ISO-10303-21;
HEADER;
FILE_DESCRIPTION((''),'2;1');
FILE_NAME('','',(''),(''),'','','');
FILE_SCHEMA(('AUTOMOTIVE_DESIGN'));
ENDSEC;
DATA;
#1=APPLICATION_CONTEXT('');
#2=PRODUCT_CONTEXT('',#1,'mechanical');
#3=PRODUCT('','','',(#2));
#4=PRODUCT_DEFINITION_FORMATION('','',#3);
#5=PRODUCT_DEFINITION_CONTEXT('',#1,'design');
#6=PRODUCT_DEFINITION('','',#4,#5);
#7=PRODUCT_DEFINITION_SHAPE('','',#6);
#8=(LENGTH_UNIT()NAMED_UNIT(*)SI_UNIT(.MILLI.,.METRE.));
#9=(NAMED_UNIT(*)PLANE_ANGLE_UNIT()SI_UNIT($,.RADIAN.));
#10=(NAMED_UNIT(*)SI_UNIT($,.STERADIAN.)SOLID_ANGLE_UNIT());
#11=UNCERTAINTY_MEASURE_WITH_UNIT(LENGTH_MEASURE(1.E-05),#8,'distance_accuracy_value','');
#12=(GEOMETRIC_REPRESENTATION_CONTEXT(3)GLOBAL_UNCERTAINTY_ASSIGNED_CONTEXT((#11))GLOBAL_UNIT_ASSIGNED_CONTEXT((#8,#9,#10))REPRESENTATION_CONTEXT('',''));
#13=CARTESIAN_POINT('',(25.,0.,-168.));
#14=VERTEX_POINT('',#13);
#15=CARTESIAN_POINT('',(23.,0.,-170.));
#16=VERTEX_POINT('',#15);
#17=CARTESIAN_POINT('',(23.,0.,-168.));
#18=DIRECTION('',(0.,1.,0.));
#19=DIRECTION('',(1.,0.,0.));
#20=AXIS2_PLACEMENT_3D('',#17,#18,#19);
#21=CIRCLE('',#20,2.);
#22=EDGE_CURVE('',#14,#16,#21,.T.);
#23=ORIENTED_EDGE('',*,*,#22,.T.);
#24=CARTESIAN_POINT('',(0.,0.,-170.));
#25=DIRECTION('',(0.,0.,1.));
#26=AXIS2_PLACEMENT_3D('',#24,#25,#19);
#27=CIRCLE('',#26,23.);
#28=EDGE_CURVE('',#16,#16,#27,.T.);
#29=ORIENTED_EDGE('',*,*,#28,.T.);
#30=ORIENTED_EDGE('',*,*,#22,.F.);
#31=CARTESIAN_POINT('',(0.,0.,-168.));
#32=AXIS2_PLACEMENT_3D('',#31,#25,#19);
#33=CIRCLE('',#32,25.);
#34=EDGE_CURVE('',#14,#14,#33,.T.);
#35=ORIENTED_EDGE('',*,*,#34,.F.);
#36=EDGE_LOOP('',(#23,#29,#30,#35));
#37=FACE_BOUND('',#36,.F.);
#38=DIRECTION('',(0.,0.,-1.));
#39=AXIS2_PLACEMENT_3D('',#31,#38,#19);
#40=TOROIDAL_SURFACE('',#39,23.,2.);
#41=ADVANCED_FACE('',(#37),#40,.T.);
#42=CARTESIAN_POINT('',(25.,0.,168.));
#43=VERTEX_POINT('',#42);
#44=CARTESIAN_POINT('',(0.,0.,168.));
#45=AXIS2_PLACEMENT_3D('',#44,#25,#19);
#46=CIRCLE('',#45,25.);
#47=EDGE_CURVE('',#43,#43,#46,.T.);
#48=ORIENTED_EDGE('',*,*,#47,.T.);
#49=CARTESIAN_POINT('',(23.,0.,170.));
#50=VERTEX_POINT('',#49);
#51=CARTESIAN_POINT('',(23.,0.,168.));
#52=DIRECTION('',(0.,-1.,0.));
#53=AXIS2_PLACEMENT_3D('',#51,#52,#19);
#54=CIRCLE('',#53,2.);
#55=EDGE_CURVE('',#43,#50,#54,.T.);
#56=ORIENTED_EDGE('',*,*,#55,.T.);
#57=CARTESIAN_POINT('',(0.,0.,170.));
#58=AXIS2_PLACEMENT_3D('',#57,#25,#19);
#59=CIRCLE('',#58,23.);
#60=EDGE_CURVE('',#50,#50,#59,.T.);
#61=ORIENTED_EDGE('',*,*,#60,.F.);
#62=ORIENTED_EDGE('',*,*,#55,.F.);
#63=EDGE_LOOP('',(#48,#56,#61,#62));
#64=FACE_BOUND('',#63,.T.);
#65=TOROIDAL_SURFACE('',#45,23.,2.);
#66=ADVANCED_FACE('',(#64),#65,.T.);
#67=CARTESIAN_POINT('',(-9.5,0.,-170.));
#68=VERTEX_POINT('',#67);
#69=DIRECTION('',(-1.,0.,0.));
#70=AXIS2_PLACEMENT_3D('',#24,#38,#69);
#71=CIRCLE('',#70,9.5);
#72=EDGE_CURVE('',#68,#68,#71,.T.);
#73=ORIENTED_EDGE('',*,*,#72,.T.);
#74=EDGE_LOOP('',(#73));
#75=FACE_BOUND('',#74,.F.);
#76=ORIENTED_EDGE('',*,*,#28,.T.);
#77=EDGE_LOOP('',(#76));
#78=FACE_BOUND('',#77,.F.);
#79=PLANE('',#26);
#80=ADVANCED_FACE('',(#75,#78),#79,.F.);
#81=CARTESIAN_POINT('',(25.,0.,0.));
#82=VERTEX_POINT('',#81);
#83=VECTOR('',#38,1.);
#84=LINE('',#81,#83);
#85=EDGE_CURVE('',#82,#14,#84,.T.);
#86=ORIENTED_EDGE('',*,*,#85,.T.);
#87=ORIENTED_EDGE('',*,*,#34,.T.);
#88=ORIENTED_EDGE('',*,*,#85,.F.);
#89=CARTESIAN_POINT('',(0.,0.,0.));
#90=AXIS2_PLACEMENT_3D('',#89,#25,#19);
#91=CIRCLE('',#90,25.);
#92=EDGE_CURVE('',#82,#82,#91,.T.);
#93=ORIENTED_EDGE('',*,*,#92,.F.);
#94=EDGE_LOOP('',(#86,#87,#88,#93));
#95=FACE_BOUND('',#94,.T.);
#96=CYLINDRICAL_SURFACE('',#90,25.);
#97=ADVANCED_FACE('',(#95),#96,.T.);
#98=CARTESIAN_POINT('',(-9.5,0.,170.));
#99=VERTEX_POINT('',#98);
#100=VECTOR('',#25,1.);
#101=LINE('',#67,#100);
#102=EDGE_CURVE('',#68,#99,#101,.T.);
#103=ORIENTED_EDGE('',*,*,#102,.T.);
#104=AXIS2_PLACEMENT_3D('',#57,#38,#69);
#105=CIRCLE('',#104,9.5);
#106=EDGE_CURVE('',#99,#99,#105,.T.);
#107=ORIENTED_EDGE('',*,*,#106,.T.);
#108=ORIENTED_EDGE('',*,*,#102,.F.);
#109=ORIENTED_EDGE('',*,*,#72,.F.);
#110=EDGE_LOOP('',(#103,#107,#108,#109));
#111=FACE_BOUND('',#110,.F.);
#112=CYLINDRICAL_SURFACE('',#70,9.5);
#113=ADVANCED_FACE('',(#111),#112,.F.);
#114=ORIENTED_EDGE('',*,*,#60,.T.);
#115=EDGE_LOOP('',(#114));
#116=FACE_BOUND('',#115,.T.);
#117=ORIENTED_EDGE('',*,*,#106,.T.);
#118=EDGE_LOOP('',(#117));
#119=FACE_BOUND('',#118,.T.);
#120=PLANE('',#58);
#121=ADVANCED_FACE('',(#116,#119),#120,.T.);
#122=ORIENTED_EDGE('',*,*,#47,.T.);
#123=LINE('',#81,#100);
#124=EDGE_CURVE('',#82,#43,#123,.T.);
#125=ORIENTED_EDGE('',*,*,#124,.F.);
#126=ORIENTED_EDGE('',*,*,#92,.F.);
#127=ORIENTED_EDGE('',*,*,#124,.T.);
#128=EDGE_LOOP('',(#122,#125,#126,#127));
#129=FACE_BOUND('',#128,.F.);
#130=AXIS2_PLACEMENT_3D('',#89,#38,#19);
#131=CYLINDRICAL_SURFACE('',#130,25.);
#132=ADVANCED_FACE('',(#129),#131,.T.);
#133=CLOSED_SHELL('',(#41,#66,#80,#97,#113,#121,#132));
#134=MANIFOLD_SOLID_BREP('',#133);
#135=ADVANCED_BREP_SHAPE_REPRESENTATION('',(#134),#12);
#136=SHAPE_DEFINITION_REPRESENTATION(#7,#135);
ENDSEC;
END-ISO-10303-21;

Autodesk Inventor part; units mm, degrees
ref_plane "YZ Plane" through (0, 0, 0) normal (1, 0, 0) x (0, 1, 0)
ref_plane "XZ Plane" through (0, 0, 0) normal (0, 1, 0) x (-1, 0, 0)
ref_plane "XY Plane" through (0, 0, 0) normal (0, 0, 1) x (1, 0, 0)
sketch "Sketch1" plane through (0, 0, 0) normal (0, 0, 1) x (1, 0, 0)
  circle A0 centre (0, 0) radius 25
  dimension "d0" = 50
extrude "Extrusion1" add sketch "Sketch1" along normal mid plane 340
sketch "Sketch2" plane through (0, 0, -170) normal (0, 0, -1) x (-1, 0, 0)
  circle A0 centre (0, 0) radius 25 projected
  circle A1 centre (0, 0) radius 9.5
  dimension "d3" = 19
extrude "Extrusion2" cut sketch "Sketch2" against normal blind 555 contours A1
fillet "Fillet1" radius 2 2 edges at (-25, 0, -170) (-25, 0, 170)
properties part number "ADSK-MH-10049" material "Rubber"
